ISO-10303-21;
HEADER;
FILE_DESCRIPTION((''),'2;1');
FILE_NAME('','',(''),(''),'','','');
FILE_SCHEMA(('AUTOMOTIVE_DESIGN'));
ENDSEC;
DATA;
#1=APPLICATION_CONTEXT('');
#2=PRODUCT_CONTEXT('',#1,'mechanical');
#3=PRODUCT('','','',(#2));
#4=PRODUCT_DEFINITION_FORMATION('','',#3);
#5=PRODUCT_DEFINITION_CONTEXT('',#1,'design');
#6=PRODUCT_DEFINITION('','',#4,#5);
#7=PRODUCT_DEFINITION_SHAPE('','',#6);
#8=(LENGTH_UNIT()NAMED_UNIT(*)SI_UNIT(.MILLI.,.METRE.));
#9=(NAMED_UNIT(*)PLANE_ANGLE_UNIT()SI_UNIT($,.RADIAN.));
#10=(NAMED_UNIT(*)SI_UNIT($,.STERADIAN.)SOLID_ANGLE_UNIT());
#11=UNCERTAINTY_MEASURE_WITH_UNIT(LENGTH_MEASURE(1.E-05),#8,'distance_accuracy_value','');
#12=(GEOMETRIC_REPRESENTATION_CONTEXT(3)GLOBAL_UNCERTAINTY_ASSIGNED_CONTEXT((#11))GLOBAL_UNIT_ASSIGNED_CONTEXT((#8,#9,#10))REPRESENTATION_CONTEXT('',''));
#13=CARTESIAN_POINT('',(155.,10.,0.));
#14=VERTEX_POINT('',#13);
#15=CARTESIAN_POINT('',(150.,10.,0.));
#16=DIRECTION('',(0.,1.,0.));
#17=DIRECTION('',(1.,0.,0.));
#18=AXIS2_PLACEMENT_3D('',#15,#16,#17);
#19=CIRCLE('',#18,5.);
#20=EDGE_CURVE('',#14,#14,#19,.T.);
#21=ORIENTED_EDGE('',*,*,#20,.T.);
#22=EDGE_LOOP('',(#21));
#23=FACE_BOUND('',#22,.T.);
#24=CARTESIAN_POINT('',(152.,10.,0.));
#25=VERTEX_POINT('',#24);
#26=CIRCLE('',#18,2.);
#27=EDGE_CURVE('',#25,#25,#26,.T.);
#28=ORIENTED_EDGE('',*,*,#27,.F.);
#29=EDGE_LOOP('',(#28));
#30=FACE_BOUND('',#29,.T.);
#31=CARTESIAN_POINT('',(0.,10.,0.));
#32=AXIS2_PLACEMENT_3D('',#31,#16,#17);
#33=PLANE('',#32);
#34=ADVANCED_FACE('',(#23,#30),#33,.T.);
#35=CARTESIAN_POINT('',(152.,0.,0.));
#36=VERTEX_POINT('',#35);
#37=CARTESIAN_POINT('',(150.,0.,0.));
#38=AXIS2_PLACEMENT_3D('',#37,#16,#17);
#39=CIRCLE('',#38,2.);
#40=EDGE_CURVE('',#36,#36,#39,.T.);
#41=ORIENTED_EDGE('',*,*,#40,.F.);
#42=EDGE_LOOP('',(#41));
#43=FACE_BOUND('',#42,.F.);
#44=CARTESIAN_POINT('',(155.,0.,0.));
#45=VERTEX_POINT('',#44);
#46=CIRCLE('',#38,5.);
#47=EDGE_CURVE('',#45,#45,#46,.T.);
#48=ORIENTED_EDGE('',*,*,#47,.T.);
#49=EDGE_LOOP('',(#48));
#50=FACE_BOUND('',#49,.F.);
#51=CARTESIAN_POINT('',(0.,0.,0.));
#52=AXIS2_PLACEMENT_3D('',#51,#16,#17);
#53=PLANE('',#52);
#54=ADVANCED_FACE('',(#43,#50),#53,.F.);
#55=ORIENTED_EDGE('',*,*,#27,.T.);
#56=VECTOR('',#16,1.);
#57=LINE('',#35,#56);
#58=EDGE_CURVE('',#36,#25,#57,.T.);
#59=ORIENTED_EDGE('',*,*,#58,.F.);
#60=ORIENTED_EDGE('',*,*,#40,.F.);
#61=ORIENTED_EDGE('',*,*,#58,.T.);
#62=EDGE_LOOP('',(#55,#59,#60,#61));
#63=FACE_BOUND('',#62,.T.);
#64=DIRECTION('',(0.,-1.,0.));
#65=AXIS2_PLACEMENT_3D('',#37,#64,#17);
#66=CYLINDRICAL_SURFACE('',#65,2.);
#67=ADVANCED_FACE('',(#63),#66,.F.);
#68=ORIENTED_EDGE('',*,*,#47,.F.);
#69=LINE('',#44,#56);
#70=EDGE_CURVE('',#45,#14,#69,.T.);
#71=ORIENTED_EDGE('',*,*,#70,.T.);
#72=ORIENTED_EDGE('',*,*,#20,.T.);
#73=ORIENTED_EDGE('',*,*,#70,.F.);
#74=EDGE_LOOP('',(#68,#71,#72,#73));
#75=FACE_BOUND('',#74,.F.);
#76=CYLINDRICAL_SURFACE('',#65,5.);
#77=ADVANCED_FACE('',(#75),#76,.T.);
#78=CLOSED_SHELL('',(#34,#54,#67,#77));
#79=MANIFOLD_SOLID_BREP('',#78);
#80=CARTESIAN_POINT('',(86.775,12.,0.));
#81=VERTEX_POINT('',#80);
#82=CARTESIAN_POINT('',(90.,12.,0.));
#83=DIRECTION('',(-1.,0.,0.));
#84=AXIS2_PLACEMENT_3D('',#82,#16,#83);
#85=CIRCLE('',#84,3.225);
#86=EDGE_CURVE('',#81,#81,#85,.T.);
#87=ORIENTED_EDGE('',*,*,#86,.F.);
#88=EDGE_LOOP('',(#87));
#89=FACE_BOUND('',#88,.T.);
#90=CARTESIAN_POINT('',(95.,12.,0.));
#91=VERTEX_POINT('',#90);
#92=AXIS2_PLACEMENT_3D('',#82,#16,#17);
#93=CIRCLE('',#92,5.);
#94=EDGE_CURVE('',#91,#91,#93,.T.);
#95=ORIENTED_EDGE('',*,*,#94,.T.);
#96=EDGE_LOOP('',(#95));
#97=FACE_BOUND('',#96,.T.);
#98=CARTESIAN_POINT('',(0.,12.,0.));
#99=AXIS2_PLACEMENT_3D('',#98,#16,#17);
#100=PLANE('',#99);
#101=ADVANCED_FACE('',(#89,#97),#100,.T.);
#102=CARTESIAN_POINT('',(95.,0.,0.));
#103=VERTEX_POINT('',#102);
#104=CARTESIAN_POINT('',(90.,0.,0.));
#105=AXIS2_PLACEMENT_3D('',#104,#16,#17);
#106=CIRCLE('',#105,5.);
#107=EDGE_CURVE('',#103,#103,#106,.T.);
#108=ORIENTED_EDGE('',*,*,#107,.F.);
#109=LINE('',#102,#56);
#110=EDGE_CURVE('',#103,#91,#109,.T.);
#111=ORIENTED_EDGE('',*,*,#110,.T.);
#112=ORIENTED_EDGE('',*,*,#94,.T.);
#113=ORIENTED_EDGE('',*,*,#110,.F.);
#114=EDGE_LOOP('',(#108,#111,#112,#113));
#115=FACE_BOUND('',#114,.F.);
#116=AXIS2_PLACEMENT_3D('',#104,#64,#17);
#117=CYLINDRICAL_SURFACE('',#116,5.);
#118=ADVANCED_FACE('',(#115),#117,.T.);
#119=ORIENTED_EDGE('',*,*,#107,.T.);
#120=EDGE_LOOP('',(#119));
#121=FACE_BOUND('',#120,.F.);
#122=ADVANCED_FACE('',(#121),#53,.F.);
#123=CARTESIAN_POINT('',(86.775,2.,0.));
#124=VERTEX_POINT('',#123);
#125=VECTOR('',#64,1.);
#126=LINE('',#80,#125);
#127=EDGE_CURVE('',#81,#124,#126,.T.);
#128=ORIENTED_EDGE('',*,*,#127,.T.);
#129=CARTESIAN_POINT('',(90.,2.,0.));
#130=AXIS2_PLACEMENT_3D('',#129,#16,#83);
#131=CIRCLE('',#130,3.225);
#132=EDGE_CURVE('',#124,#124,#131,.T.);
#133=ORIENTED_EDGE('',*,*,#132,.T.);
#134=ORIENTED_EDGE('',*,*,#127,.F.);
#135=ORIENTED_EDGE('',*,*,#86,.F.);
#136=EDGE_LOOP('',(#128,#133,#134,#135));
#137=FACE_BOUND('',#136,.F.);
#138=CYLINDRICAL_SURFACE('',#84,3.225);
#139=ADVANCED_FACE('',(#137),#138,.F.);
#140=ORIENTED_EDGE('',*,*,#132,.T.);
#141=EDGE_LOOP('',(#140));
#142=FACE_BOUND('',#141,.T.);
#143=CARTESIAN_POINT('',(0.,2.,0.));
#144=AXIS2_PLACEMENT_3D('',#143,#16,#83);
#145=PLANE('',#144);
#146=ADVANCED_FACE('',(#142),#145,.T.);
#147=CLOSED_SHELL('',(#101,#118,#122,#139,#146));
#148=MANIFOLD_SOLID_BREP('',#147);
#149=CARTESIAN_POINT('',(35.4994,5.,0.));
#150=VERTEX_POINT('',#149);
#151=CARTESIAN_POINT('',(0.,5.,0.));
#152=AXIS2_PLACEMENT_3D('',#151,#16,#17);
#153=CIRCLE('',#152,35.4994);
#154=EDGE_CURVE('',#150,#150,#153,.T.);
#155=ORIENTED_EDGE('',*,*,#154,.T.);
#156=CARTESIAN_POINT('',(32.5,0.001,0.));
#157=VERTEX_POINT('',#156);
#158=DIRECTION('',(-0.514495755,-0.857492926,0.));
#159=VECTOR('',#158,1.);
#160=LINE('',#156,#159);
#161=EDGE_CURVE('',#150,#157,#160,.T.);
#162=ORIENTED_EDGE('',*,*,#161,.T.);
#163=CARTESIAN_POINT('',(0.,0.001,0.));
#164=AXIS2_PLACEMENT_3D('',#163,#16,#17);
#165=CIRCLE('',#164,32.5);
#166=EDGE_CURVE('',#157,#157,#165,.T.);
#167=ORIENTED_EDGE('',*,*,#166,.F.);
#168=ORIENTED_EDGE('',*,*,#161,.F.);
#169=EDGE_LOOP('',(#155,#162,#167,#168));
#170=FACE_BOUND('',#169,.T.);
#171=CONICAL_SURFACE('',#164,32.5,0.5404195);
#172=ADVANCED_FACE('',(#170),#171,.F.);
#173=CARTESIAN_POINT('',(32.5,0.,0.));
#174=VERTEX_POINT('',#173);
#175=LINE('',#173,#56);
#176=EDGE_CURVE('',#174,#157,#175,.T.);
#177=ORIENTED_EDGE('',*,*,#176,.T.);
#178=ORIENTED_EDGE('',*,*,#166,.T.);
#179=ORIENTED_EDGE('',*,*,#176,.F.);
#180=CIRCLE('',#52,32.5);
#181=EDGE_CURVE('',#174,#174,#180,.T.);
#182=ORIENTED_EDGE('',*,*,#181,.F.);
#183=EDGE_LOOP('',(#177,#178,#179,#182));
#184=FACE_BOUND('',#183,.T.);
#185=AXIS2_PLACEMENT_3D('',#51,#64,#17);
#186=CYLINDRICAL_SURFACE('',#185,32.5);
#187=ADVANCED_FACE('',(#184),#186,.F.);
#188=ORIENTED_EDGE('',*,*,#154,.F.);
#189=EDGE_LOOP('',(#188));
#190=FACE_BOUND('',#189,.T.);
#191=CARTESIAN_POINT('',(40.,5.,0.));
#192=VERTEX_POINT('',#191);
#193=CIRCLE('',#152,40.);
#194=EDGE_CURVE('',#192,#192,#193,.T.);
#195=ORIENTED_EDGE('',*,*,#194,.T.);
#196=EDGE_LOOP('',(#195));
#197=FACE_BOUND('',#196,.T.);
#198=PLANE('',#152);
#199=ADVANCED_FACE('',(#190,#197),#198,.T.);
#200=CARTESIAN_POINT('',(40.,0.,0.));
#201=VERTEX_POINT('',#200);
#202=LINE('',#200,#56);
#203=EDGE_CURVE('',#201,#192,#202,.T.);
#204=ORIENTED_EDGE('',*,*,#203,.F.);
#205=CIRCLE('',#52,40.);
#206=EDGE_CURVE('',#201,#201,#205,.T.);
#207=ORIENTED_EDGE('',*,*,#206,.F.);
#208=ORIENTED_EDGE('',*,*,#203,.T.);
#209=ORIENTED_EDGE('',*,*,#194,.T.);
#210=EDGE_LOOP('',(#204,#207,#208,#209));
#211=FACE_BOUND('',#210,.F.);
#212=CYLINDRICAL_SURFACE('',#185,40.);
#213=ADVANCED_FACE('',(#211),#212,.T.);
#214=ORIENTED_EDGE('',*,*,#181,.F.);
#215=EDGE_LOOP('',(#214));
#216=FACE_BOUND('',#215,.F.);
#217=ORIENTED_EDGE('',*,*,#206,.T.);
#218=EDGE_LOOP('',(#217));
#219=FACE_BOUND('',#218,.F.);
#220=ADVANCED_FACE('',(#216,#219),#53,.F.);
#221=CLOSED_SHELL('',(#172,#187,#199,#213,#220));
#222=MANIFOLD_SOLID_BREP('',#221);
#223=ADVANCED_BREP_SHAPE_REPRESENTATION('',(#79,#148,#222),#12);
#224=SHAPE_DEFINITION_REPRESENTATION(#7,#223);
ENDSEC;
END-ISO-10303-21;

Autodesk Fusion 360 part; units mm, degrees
sketch "Sketch1" plane through (0, 0, 0) normal (0, 1, 0) x (1, 0, 0)
  circle A0 centre (0, 0) radius 32.5
  circle A1 centre (0, 0) radius 40
  dimension "d1" = 65
  dimension "d2" = 80
extrude "Extrude1" add sketch "Sketch1" along normal blind 5 makes body 1
chamfer "Chamfer1" distance 3 distance2 5 1 edges at (-30.3006, 5, -11.7525) measured on face at (37.2301, 5, 3.6019) on bodies 1
sketch "Sketch2" plane through (0, 0, 0) normal (0, 1, 0) x (1, 0, 0)
  circle A0 centre (90, 0) radius 5
  dimension "d9" = 10
extrude "Extrude2" add sketch "Sketch2" along normal blind 12 separate body makes body 2
sketch "Sketch3" plane through (0, 12, 0) normal (0, 1, 0) x (-1, 0, 0)
  circle A0 centre (-90, 0) radius 5
  circle A1 centre (-90, 0) radius 3.225
  dimension "d12" = 6.45
extrude "Extrude3" cut sketch "Sketch3" against normal blind 10 contours A1 bodies 2
sketch "Sketch4" plane through (0, 0, 0) normal (0, 1, 0) x (1, 0, 0)
  circle A0 centre (150, 0) radius 2
  circle A1 centre (150, 0) radius 5
  dimension "d15" = 4
  dimension "d16" = 10
extrude "Extrude4" add sketch "Sketch4" along normal blind 10 separate body makes body 3
